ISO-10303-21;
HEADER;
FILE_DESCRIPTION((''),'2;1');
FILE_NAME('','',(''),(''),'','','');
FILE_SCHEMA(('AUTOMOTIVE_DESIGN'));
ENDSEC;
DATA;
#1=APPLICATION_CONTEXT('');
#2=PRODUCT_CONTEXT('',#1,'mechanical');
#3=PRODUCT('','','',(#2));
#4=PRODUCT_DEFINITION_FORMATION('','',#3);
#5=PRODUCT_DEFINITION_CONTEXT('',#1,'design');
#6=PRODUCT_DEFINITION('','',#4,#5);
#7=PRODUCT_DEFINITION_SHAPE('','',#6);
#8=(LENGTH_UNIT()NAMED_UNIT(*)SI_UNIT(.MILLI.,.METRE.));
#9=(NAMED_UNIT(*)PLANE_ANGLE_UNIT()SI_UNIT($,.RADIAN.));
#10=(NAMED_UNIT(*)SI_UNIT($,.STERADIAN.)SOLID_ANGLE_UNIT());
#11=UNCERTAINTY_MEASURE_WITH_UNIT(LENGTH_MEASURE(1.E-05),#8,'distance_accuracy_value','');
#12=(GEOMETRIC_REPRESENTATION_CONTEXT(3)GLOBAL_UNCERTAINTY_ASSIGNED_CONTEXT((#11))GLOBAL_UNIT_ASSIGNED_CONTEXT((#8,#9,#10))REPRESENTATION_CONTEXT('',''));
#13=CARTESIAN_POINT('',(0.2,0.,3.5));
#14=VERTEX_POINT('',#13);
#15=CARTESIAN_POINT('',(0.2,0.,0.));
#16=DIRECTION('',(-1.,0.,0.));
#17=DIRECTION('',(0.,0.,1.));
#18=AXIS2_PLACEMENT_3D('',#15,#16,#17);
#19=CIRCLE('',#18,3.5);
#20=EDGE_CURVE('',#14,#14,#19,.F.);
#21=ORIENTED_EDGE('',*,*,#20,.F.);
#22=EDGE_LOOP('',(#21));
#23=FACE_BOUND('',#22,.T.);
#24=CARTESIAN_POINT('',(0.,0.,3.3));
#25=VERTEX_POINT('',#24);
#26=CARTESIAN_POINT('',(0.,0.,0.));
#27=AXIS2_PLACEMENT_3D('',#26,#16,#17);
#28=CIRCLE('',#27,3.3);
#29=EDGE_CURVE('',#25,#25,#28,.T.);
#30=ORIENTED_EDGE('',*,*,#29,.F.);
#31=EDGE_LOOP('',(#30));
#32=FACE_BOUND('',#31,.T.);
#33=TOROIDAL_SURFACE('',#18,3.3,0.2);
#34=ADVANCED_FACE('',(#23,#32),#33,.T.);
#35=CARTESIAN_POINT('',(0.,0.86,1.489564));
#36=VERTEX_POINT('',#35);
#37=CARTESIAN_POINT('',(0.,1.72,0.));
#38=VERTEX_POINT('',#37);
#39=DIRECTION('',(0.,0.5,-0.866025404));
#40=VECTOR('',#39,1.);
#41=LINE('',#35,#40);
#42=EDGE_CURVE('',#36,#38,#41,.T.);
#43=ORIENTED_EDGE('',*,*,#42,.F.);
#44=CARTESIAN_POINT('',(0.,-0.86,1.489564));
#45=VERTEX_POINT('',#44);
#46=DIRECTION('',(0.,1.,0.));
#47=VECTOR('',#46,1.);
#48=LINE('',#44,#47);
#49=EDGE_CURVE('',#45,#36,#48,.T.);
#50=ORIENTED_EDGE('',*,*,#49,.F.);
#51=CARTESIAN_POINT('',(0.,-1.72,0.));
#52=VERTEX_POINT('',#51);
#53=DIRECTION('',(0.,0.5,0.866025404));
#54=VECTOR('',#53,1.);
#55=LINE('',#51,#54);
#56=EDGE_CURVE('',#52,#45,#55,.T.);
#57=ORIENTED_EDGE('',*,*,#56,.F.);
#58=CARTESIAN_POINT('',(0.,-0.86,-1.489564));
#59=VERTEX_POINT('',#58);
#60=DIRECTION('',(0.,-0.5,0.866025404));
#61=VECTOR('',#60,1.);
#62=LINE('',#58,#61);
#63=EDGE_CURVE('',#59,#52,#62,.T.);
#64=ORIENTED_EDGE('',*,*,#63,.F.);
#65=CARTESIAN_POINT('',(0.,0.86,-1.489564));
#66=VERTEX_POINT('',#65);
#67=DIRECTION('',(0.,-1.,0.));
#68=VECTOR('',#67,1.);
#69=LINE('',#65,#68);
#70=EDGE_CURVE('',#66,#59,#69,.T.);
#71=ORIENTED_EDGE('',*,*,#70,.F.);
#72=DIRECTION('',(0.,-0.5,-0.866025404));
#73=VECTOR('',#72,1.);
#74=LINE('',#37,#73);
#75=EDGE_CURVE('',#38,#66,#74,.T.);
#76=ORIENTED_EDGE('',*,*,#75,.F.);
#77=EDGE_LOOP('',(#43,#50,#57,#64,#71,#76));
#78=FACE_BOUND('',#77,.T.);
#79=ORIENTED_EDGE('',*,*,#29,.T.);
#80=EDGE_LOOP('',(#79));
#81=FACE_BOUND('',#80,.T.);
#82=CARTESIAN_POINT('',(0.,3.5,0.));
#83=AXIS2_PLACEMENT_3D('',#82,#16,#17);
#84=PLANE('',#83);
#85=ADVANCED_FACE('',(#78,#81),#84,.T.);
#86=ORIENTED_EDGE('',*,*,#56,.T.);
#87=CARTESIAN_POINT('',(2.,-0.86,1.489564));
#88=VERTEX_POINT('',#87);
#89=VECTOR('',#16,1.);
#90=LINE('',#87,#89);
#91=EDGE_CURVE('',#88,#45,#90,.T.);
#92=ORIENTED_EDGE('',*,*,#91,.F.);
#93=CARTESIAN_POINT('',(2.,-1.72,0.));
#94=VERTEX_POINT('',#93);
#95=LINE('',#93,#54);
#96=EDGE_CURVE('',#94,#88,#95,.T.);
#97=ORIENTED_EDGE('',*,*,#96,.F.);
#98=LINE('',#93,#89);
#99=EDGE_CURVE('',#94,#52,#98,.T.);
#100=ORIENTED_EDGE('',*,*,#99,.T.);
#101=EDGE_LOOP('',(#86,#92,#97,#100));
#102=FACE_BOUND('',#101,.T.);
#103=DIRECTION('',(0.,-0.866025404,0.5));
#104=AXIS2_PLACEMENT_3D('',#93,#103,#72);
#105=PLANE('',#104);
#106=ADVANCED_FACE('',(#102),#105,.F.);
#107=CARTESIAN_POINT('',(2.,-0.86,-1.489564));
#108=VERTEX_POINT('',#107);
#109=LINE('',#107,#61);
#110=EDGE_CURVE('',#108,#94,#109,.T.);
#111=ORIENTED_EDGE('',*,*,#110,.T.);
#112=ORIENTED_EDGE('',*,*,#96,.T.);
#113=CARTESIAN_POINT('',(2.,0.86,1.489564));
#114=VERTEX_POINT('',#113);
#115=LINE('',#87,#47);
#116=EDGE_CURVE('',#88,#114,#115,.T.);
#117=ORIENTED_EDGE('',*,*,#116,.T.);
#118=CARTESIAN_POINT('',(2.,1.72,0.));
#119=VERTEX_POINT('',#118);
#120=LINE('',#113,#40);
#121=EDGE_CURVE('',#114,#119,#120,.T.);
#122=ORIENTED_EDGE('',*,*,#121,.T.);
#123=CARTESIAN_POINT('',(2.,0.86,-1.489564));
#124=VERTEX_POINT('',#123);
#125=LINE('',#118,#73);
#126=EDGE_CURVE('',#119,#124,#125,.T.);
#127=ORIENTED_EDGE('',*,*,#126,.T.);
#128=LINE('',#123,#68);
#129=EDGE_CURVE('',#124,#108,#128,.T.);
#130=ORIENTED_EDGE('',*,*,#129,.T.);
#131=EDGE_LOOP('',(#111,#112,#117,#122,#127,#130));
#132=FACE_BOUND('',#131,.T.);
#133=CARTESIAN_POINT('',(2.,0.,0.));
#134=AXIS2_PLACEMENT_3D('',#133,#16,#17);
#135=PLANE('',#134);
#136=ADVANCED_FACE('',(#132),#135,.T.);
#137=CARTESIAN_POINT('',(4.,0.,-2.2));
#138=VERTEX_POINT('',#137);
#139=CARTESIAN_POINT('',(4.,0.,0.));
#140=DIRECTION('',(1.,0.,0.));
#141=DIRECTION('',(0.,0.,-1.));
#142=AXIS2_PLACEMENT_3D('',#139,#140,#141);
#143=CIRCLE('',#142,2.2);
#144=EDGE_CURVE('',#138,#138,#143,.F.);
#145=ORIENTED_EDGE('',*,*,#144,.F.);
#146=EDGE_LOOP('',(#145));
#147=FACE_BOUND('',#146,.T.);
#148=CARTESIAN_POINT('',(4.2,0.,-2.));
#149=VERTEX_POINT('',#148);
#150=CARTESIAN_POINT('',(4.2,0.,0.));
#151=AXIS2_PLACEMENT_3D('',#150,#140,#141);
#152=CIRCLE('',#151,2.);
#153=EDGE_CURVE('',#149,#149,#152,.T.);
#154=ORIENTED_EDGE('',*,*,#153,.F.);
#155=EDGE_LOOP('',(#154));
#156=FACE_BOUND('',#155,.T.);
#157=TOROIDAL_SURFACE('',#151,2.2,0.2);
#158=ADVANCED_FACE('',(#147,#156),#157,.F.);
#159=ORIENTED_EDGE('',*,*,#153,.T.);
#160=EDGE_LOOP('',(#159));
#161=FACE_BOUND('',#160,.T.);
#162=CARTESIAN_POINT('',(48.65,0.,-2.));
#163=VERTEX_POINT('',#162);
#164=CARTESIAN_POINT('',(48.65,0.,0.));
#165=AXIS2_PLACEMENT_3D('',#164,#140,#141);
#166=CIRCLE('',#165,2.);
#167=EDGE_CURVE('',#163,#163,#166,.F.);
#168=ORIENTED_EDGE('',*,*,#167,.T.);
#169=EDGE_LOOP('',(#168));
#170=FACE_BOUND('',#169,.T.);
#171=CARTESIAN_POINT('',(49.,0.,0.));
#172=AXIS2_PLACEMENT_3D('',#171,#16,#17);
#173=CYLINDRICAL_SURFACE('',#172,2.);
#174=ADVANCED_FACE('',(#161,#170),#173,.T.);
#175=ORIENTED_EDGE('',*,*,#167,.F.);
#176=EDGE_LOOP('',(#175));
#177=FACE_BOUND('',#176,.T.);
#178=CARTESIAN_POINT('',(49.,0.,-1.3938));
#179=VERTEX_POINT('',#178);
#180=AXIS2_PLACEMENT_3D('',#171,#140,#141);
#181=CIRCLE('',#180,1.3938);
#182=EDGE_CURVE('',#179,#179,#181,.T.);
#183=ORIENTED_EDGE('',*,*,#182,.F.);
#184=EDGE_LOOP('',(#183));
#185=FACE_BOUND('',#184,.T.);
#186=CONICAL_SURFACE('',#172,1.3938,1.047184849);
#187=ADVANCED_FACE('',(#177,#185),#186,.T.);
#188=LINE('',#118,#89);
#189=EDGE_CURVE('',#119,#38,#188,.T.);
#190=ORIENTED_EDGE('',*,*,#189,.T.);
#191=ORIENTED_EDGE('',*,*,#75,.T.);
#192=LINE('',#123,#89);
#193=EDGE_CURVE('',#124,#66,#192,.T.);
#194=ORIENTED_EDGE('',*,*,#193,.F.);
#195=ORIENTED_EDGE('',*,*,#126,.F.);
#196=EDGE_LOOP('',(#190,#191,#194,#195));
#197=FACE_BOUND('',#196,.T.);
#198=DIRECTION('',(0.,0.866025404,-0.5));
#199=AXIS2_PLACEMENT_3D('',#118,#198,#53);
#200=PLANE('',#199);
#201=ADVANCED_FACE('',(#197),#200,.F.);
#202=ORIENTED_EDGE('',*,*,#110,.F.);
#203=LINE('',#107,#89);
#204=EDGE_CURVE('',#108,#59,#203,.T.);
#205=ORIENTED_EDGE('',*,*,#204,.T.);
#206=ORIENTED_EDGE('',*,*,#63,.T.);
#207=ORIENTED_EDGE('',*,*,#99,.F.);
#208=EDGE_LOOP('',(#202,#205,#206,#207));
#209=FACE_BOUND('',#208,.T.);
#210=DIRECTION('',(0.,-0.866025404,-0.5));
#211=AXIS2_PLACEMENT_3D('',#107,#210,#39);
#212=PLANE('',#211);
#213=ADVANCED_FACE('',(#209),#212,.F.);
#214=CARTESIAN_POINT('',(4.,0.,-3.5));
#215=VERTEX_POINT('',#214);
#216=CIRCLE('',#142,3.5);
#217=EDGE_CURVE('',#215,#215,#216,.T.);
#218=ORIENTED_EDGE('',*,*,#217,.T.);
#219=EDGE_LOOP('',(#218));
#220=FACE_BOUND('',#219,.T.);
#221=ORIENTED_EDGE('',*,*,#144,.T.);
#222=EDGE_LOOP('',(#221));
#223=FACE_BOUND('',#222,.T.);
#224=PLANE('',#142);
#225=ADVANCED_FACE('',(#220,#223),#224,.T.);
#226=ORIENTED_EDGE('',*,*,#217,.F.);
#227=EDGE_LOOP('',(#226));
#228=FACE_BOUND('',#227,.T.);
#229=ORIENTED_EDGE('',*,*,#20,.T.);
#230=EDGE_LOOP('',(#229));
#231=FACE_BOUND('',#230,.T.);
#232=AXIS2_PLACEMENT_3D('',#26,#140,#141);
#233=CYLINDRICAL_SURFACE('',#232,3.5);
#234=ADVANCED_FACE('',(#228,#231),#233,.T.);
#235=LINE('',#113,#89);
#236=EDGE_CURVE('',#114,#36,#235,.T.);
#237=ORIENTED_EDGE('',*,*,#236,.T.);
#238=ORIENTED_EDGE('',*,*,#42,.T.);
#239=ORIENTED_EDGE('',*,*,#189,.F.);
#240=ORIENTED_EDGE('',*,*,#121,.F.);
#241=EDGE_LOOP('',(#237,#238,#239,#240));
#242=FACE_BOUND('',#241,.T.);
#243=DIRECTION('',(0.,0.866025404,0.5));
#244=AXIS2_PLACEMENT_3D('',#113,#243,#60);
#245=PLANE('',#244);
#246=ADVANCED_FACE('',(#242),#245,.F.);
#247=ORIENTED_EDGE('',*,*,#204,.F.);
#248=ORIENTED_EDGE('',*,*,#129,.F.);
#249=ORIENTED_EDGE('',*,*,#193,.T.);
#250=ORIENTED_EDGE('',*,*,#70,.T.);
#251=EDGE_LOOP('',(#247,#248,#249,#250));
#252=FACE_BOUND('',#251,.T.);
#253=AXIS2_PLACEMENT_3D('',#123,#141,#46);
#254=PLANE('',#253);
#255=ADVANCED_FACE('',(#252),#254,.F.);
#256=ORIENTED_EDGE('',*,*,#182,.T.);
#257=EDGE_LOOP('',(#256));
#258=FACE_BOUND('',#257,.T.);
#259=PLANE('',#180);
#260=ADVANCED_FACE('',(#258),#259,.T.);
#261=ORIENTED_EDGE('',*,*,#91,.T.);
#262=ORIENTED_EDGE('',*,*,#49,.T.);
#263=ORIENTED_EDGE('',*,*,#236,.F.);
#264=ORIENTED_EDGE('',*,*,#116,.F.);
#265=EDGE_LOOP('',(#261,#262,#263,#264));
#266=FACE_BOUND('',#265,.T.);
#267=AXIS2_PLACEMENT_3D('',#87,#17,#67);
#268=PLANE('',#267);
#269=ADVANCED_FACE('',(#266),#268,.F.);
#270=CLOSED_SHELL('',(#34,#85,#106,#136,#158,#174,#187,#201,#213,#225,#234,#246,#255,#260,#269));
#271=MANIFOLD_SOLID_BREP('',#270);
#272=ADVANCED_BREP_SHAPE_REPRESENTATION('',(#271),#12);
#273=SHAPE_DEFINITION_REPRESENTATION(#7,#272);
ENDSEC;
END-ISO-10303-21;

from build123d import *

# Parameters (mm, degrees)
SKETCH_1_W          = 4
SKETCH_1_H          = 3.5
SKETCH_2_R          = 2
EXTRUDE_1_DEPTH     = 45
CUT_EXTRUDE_1_DEPTH = 2
CHAMFER_1_SIZE      = 0.6062
CHAMFER_1_SIZE2     = 0.35
FILLET_1_R          = 0.2


with BuildPart() as part:
    # 草图1 → 旋转1 (revolve)
    with BuildSketch(Plane.XY):
        with Locations((2, 1.75)):
            Rectangle(SKETCH_1_W, SKETCH_1_H)
    revolve(axis=Axis((0, 0, 0), (1, 0, 0)))

    # 草图2 → 凸台-拉伸1 (add)
    with BuildSketch(Plane(origin=(4, 0, 0), x_dir=(0, 0, -1), z_dir=(1, 0, 0))):
        Circle(SKETCH_2_R)
    extrude(amount=EXTRUDE_1_DEPTH)

    # 草图3 → 切除-拉伸1 (cut)
    with BuildSketch(Plane.ZY):
        Polygon((0, 1.72), (-1.489563695, 0.86), (-1.489563695, -0.86), (0, -1.72), (1.489563695, -0.86), (1.489563695, 0.86), align=None)
    extrude(amount=-CUT_EXTRUDE_1_DEPTH, mode=Mode.SUBTRACT)

    # 倒角1
    chamfer_1_edges = [part.edges().sort_by_distance(p)[0] for p in [
        (49, 0, 2),
    ]]
    chamfer_1_side = [part.faces().sort_by_distance(p)[0] for p in [
        (49, 0, 0),
    ]]
    chamfer(chamfer_1_edges, length=CHAMFER_1_SIZE, length2=CHAMFER_1_SIZE2, reference=chamfer_1_side[0])

    # 圆角1
    fillet_1_edges = [part.edges().sort_by_distance(p)[0] for p in [
        (0, -3.5, 0),
        (4, 0, 2),
    ]]
    fillet(fillet_1_edges, radius=FILLET_1_R)


solid = part.part
